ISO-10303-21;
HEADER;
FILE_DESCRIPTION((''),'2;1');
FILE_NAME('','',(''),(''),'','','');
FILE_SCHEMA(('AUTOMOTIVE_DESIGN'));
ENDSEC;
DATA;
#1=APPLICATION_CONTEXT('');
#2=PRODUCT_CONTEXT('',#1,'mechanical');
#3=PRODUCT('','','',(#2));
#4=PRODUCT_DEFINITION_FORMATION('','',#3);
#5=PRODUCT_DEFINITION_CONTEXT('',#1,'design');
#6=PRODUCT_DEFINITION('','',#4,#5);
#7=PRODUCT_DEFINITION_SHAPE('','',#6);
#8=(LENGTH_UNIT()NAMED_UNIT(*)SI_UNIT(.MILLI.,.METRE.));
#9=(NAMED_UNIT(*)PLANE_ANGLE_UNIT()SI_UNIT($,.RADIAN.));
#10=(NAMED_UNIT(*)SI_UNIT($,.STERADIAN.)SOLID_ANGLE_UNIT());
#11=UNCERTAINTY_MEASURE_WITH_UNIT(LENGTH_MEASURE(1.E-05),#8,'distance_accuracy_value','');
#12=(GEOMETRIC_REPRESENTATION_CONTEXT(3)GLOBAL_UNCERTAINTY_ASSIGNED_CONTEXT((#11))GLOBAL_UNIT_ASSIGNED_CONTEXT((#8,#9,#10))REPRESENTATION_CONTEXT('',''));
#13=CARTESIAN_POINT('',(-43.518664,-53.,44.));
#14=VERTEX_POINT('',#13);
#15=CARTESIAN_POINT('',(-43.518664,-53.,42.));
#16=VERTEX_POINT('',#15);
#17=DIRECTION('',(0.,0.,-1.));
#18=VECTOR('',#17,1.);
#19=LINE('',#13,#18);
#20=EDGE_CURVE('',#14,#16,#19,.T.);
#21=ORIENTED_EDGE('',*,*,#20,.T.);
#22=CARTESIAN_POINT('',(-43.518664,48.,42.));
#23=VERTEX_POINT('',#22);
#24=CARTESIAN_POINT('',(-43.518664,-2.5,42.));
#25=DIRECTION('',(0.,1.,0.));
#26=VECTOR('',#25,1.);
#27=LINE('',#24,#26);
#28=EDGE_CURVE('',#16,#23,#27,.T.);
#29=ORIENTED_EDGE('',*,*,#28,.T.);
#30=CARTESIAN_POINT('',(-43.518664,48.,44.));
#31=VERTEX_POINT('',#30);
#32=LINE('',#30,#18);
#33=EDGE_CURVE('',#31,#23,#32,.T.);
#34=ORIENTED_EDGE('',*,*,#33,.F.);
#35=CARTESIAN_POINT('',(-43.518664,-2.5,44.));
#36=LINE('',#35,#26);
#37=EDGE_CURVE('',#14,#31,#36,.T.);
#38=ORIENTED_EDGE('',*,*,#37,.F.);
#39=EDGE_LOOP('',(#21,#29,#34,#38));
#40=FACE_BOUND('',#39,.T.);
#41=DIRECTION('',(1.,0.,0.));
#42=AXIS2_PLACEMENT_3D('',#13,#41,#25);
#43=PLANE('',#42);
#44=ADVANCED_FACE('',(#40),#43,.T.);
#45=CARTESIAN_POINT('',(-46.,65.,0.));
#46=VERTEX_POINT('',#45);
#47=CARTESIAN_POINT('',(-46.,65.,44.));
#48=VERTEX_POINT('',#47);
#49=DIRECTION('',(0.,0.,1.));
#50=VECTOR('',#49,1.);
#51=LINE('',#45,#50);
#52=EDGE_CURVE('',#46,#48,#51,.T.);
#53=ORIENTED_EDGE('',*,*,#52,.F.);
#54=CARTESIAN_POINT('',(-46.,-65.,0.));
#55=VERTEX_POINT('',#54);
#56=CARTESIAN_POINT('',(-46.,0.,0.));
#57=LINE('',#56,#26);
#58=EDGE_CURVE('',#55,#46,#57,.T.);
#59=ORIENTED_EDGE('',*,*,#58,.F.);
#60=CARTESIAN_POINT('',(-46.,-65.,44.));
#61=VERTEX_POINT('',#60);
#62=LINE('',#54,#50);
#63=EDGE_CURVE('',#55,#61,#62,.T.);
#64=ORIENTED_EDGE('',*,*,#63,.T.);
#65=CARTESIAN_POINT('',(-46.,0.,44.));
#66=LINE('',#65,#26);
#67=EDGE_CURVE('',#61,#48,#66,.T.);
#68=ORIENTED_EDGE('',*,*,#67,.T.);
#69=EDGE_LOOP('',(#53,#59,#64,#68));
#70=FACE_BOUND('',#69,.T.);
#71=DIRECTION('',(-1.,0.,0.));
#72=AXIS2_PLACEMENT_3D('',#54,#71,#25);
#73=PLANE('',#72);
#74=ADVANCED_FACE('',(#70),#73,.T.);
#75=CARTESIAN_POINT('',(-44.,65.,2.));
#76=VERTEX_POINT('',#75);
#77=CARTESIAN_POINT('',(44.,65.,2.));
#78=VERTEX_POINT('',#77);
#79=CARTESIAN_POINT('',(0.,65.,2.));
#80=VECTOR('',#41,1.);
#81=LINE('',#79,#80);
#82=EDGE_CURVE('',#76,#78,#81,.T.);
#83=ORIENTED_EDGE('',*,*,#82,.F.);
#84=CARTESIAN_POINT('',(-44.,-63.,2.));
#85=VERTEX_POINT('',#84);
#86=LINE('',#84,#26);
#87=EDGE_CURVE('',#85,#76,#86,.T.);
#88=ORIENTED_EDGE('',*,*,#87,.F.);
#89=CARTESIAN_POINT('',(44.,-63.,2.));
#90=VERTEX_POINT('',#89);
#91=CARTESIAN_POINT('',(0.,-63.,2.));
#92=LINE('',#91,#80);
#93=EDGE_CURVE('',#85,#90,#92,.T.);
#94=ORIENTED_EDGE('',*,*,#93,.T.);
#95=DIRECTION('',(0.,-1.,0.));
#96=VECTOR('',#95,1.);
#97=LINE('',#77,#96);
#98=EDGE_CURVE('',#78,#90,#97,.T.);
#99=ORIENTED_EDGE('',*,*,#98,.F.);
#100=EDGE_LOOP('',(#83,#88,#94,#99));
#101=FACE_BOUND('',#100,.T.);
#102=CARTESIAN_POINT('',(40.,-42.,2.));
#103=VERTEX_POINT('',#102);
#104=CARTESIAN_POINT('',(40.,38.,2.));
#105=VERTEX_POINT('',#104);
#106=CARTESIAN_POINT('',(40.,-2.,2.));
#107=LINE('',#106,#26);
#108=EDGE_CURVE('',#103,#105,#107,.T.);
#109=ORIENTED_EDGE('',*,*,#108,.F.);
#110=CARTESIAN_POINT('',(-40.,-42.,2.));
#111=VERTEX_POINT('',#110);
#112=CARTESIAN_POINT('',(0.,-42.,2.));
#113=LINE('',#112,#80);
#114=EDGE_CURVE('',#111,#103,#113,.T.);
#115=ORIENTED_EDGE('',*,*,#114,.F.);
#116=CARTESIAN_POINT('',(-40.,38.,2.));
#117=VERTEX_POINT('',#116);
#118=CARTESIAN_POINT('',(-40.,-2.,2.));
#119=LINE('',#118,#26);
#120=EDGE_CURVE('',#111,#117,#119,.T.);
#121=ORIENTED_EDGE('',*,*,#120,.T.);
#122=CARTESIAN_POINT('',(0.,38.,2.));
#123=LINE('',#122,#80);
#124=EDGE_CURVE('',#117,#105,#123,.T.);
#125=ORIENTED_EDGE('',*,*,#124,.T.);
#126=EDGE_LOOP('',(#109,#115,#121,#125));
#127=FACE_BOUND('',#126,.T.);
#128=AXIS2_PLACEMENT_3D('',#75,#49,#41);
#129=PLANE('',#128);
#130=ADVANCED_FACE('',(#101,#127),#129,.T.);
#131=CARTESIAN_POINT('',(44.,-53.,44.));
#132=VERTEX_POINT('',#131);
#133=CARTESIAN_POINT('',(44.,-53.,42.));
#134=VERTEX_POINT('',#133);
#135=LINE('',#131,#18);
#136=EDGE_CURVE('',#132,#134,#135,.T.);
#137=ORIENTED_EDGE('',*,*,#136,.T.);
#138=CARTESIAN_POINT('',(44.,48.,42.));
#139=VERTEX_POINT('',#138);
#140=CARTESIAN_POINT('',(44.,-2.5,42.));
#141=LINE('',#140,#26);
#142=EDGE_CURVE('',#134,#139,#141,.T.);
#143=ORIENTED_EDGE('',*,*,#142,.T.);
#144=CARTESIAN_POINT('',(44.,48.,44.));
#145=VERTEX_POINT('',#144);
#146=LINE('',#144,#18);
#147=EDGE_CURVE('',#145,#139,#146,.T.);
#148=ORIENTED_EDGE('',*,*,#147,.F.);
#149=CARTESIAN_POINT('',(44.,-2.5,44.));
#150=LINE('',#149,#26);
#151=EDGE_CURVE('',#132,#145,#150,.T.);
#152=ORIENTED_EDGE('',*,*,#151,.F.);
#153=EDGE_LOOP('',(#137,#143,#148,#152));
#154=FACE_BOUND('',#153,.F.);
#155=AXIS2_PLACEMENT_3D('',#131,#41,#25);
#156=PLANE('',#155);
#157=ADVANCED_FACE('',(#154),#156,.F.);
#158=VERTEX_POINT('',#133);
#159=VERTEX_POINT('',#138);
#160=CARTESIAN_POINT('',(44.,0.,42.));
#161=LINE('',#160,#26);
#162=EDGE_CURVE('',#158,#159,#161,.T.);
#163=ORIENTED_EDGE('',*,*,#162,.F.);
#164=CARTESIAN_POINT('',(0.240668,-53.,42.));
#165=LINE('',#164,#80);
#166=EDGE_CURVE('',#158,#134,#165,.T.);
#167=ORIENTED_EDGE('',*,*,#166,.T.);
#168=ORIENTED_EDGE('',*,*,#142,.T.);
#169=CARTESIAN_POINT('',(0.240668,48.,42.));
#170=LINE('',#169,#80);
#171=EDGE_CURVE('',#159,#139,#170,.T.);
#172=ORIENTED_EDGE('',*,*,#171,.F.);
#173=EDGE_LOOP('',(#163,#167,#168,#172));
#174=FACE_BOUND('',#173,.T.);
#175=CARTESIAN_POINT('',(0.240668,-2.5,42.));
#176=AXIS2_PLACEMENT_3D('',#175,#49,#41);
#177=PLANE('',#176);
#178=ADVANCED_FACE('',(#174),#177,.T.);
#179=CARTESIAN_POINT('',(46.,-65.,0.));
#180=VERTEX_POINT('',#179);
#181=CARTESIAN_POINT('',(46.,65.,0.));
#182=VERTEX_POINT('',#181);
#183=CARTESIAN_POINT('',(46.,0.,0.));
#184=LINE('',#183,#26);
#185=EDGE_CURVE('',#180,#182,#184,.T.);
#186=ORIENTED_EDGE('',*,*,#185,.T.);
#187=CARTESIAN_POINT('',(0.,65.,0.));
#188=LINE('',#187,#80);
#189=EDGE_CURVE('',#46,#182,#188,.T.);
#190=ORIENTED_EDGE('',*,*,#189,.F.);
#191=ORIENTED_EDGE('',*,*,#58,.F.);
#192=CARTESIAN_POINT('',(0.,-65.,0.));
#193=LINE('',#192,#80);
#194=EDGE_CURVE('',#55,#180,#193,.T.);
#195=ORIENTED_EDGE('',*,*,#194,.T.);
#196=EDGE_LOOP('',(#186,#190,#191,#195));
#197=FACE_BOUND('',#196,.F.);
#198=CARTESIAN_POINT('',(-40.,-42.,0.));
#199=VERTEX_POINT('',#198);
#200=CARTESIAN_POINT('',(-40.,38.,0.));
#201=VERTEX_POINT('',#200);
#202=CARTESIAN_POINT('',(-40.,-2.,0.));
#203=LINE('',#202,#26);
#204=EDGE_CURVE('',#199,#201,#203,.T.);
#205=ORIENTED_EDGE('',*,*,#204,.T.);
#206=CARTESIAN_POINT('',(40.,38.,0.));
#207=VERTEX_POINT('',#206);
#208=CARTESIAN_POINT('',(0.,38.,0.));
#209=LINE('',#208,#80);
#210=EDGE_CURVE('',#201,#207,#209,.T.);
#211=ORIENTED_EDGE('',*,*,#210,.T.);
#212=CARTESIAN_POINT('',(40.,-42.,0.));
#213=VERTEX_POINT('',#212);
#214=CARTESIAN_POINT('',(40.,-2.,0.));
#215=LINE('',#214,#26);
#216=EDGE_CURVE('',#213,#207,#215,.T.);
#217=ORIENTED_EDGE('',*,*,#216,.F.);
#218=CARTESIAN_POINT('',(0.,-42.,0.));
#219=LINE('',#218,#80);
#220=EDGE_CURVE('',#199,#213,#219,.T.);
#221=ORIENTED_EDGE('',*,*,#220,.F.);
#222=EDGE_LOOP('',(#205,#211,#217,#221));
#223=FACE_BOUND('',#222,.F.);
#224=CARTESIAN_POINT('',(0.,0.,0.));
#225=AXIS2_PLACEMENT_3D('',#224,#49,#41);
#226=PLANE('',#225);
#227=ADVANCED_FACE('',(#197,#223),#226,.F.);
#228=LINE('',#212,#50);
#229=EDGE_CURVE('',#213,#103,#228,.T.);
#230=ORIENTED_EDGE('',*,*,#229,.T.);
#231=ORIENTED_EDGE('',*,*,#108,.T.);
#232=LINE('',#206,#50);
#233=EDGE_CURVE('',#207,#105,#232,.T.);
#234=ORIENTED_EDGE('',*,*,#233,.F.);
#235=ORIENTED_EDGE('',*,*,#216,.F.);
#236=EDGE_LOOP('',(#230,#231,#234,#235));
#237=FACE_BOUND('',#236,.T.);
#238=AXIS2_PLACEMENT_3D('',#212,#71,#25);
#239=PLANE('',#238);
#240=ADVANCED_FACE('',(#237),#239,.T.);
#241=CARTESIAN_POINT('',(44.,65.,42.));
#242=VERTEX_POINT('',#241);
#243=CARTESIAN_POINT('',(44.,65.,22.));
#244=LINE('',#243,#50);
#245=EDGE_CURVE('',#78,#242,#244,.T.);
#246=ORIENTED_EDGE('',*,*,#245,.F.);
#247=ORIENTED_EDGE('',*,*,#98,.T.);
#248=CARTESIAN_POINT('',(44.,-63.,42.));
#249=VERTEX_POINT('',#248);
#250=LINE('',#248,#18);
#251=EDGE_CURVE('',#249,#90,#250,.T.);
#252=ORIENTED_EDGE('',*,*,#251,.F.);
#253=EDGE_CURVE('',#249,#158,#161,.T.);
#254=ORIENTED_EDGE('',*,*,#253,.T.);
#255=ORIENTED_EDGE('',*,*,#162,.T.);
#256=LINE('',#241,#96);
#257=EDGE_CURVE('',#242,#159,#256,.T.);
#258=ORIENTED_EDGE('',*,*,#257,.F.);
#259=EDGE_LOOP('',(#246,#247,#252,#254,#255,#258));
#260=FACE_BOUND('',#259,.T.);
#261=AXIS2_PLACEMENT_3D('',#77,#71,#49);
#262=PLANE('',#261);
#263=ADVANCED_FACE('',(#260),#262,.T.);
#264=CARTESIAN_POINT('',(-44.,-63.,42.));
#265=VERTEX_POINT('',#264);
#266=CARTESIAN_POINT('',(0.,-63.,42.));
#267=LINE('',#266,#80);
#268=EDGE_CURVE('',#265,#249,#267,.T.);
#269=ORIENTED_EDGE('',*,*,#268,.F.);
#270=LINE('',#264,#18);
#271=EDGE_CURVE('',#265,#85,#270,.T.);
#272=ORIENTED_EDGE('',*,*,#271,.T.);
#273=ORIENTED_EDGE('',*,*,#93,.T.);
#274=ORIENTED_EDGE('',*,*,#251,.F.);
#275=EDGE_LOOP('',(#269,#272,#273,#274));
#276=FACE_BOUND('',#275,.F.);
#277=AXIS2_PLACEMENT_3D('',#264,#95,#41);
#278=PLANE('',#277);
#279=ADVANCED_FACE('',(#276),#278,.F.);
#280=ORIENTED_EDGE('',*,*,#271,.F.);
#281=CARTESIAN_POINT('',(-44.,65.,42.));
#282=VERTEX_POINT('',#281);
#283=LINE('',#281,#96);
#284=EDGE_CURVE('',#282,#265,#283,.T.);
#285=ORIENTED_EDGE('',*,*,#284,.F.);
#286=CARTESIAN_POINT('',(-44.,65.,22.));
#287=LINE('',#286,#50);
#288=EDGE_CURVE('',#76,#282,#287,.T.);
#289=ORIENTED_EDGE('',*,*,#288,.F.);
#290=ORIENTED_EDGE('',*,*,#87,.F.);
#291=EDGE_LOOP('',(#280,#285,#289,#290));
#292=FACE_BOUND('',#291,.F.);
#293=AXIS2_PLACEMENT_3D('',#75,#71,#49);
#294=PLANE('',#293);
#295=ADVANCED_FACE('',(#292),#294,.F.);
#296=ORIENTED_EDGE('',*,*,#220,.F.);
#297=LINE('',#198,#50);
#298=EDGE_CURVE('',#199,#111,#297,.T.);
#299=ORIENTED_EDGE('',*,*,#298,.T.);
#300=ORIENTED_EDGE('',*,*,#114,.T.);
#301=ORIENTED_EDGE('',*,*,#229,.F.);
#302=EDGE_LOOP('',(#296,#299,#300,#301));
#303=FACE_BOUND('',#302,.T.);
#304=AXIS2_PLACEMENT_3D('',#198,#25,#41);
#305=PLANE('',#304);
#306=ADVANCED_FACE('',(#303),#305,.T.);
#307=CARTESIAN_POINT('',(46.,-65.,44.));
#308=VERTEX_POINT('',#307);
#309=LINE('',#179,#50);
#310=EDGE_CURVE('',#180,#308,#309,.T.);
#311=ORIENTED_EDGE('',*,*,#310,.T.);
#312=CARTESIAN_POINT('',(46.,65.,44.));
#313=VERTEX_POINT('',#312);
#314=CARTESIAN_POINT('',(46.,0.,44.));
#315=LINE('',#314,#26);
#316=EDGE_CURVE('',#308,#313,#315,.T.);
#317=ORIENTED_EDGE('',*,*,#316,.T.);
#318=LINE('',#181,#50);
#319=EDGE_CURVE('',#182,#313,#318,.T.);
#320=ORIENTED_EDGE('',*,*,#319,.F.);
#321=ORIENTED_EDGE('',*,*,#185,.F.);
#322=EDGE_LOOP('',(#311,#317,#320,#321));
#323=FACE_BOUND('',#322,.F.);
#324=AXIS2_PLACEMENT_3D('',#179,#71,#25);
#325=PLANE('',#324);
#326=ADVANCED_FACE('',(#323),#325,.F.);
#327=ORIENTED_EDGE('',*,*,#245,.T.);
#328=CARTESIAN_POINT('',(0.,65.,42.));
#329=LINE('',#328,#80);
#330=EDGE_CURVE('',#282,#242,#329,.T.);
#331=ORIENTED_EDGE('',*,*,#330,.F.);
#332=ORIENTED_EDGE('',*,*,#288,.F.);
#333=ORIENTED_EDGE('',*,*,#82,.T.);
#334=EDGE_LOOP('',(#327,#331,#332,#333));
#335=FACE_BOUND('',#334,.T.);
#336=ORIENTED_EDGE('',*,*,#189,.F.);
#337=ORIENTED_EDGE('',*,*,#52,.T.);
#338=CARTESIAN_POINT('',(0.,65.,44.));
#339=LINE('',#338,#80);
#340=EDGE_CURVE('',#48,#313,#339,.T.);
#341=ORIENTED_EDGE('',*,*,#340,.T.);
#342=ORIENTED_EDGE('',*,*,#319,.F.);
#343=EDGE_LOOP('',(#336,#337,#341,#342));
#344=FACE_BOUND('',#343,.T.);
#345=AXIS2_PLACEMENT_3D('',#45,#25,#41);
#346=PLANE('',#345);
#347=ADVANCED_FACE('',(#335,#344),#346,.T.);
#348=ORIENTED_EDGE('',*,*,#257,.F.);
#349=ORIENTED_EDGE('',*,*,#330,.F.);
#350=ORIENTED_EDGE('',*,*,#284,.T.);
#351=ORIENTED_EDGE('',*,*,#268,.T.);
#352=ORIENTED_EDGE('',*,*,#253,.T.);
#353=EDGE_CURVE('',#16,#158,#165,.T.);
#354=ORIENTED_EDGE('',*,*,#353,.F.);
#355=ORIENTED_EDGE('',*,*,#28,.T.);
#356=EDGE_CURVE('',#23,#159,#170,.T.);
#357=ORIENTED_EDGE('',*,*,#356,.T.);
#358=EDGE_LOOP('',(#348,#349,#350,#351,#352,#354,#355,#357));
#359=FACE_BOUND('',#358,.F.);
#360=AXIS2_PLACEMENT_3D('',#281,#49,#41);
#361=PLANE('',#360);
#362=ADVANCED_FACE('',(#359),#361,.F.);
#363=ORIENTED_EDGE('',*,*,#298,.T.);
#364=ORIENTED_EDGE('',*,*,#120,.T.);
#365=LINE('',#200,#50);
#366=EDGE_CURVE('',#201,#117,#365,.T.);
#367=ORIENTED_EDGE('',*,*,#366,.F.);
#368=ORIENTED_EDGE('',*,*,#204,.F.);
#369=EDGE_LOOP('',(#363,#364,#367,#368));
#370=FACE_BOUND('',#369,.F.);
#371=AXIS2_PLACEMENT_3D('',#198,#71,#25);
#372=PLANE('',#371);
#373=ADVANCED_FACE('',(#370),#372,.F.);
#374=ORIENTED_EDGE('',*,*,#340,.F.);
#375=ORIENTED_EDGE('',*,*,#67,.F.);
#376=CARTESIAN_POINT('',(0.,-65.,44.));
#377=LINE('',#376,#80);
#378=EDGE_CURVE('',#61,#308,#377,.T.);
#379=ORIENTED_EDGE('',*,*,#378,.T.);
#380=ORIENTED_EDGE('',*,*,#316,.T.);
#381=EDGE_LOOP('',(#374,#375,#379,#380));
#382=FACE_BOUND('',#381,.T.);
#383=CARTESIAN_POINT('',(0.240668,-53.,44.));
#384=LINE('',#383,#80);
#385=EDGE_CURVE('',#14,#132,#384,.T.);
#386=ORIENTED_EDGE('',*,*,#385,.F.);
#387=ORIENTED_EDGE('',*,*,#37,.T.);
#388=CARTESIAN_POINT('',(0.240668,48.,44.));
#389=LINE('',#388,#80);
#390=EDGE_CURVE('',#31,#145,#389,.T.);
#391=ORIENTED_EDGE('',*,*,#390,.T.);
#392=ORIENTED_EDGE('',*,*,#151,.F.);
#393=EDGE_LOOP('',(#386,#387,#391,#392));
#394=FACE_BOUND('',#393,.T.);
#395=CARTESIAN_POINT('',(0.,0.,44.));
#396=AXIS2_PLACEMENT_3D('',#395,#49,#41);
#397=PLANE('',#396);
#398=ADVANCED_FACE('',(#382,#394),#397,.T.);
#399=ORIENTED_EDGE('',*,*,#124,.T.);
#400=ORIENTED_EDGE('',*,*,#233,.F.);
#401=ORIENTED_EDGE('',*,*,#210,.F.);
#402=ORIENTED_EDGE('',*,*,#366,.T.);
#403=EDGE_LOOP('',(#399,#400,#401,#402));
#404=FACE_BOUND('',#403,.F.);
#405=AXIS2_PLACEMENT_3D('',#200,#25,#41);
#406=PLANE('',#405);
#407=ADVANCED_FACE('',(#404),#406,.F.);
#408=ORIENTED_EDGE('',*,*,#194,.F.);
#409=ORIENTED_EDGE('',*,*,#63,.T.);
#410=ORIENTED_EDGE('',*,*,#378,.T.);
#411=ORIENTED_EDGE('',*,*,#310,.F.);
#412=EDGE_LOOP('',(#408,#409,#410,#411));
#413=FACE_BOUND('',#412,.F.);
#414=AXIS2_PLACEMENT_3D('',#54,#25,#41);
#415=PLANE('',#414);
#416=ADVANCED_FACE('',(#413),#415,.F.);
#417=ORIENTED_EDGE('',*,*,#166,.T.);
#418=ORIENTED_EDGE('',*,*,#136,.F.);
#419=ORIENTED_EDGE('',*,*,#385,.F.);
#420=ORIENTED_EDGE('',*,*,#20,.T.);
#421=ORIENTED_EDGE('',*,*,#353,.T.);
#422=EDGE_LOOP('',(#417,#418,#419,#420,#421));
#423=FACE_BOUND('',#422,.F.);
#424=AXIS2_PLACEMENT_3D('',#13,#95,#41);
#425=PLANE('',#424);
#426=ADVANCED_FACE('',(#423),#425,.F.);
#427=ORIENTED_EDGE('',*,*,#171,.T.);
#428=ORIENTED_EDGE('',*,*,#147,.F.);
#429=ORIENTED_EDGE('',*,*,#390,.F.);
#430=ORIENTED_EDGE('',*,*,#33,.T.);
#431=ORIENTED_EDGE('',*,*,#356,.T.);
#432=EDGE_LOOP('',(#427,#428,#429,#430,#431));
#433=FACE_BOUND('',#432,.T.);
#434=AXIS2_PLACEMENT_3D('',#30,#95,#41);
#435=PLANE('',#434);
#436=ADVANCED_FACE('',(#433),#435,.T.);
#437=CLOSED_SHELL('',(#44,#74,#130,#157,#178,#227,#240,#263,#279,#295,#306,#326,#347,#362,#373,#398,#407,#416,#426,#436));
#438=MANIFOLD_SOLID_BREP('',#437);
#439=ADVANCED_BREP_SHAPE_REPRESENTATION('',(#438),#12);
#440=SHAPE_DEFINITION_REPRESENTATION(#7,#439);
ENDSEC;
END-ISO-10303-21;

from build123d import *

# Parameters (mm, degrees)
SKETCH_W        = 92
SKETCH_H        = 130
PAD_DEPTH       = 44
SKETCH001_W     = 88
SKETCH001_H     = 126
POCKET_DEPTH    = 40
SKETCH002_W     = 87.518665
SKETCH002_H     = 101
POCKET001_DEPTH = 2
SKETCH004_W     = 80
SKETCH004_H     = 80
POCKET003_DEPTH = 2
SKETCH005_W     = 88
SKETCH005_H     = 40
POCKET004_DEPTH = 2


with BuildPart() as part:
    # Sketch → Pad (new body)
    with BuildSketch(Plane.XY):
        Rectangle(SKETCH_W, SKETCH_H)
    extrude(amount=PAD_DEPTH)

    # Sketch001 → Pocket (cut)
    with BuildSketch(Plane.XY.offset(42)):
        Rectangle(SKETCH001_W, SKETCH001_H)
    extrude(amount=-POCKET_DEPTH, mode=Mode.SUBTRACT)

    # Sketch002 → Pocket001 (cut)
    with BuildSketch(Plane.XY.offset(44)):
        with Locations((0.240668, -2.5)):
            Rectangle(SKETCH002_W, SKETCH002_H)
    extrude(amount=-POCKET001_DEPTH, mode=Mode.SUBTRACT)

    # Sketch004 → Pocket003 (cut)
    with BuildSketch(Plane.XY):
        with Locations((0, -2)):
            Rectangle(SKETCH004_W, SKETCH004_H)
    extrude(amount=POCKET003_DEPTH, mode=Mode.SUBTRACT)

    # Sketch005 → Pocket004 (cut)
    with BuildSketch(Plane.XZ.offset(-65)):
        with Locations((0, 22)):
            Rectangle(SKETCH005_W, SKETCH005_H)
    extrude(amount=POCKET004_DEPTH, mode=Mode.SUBTRACT)


solid = part.part
